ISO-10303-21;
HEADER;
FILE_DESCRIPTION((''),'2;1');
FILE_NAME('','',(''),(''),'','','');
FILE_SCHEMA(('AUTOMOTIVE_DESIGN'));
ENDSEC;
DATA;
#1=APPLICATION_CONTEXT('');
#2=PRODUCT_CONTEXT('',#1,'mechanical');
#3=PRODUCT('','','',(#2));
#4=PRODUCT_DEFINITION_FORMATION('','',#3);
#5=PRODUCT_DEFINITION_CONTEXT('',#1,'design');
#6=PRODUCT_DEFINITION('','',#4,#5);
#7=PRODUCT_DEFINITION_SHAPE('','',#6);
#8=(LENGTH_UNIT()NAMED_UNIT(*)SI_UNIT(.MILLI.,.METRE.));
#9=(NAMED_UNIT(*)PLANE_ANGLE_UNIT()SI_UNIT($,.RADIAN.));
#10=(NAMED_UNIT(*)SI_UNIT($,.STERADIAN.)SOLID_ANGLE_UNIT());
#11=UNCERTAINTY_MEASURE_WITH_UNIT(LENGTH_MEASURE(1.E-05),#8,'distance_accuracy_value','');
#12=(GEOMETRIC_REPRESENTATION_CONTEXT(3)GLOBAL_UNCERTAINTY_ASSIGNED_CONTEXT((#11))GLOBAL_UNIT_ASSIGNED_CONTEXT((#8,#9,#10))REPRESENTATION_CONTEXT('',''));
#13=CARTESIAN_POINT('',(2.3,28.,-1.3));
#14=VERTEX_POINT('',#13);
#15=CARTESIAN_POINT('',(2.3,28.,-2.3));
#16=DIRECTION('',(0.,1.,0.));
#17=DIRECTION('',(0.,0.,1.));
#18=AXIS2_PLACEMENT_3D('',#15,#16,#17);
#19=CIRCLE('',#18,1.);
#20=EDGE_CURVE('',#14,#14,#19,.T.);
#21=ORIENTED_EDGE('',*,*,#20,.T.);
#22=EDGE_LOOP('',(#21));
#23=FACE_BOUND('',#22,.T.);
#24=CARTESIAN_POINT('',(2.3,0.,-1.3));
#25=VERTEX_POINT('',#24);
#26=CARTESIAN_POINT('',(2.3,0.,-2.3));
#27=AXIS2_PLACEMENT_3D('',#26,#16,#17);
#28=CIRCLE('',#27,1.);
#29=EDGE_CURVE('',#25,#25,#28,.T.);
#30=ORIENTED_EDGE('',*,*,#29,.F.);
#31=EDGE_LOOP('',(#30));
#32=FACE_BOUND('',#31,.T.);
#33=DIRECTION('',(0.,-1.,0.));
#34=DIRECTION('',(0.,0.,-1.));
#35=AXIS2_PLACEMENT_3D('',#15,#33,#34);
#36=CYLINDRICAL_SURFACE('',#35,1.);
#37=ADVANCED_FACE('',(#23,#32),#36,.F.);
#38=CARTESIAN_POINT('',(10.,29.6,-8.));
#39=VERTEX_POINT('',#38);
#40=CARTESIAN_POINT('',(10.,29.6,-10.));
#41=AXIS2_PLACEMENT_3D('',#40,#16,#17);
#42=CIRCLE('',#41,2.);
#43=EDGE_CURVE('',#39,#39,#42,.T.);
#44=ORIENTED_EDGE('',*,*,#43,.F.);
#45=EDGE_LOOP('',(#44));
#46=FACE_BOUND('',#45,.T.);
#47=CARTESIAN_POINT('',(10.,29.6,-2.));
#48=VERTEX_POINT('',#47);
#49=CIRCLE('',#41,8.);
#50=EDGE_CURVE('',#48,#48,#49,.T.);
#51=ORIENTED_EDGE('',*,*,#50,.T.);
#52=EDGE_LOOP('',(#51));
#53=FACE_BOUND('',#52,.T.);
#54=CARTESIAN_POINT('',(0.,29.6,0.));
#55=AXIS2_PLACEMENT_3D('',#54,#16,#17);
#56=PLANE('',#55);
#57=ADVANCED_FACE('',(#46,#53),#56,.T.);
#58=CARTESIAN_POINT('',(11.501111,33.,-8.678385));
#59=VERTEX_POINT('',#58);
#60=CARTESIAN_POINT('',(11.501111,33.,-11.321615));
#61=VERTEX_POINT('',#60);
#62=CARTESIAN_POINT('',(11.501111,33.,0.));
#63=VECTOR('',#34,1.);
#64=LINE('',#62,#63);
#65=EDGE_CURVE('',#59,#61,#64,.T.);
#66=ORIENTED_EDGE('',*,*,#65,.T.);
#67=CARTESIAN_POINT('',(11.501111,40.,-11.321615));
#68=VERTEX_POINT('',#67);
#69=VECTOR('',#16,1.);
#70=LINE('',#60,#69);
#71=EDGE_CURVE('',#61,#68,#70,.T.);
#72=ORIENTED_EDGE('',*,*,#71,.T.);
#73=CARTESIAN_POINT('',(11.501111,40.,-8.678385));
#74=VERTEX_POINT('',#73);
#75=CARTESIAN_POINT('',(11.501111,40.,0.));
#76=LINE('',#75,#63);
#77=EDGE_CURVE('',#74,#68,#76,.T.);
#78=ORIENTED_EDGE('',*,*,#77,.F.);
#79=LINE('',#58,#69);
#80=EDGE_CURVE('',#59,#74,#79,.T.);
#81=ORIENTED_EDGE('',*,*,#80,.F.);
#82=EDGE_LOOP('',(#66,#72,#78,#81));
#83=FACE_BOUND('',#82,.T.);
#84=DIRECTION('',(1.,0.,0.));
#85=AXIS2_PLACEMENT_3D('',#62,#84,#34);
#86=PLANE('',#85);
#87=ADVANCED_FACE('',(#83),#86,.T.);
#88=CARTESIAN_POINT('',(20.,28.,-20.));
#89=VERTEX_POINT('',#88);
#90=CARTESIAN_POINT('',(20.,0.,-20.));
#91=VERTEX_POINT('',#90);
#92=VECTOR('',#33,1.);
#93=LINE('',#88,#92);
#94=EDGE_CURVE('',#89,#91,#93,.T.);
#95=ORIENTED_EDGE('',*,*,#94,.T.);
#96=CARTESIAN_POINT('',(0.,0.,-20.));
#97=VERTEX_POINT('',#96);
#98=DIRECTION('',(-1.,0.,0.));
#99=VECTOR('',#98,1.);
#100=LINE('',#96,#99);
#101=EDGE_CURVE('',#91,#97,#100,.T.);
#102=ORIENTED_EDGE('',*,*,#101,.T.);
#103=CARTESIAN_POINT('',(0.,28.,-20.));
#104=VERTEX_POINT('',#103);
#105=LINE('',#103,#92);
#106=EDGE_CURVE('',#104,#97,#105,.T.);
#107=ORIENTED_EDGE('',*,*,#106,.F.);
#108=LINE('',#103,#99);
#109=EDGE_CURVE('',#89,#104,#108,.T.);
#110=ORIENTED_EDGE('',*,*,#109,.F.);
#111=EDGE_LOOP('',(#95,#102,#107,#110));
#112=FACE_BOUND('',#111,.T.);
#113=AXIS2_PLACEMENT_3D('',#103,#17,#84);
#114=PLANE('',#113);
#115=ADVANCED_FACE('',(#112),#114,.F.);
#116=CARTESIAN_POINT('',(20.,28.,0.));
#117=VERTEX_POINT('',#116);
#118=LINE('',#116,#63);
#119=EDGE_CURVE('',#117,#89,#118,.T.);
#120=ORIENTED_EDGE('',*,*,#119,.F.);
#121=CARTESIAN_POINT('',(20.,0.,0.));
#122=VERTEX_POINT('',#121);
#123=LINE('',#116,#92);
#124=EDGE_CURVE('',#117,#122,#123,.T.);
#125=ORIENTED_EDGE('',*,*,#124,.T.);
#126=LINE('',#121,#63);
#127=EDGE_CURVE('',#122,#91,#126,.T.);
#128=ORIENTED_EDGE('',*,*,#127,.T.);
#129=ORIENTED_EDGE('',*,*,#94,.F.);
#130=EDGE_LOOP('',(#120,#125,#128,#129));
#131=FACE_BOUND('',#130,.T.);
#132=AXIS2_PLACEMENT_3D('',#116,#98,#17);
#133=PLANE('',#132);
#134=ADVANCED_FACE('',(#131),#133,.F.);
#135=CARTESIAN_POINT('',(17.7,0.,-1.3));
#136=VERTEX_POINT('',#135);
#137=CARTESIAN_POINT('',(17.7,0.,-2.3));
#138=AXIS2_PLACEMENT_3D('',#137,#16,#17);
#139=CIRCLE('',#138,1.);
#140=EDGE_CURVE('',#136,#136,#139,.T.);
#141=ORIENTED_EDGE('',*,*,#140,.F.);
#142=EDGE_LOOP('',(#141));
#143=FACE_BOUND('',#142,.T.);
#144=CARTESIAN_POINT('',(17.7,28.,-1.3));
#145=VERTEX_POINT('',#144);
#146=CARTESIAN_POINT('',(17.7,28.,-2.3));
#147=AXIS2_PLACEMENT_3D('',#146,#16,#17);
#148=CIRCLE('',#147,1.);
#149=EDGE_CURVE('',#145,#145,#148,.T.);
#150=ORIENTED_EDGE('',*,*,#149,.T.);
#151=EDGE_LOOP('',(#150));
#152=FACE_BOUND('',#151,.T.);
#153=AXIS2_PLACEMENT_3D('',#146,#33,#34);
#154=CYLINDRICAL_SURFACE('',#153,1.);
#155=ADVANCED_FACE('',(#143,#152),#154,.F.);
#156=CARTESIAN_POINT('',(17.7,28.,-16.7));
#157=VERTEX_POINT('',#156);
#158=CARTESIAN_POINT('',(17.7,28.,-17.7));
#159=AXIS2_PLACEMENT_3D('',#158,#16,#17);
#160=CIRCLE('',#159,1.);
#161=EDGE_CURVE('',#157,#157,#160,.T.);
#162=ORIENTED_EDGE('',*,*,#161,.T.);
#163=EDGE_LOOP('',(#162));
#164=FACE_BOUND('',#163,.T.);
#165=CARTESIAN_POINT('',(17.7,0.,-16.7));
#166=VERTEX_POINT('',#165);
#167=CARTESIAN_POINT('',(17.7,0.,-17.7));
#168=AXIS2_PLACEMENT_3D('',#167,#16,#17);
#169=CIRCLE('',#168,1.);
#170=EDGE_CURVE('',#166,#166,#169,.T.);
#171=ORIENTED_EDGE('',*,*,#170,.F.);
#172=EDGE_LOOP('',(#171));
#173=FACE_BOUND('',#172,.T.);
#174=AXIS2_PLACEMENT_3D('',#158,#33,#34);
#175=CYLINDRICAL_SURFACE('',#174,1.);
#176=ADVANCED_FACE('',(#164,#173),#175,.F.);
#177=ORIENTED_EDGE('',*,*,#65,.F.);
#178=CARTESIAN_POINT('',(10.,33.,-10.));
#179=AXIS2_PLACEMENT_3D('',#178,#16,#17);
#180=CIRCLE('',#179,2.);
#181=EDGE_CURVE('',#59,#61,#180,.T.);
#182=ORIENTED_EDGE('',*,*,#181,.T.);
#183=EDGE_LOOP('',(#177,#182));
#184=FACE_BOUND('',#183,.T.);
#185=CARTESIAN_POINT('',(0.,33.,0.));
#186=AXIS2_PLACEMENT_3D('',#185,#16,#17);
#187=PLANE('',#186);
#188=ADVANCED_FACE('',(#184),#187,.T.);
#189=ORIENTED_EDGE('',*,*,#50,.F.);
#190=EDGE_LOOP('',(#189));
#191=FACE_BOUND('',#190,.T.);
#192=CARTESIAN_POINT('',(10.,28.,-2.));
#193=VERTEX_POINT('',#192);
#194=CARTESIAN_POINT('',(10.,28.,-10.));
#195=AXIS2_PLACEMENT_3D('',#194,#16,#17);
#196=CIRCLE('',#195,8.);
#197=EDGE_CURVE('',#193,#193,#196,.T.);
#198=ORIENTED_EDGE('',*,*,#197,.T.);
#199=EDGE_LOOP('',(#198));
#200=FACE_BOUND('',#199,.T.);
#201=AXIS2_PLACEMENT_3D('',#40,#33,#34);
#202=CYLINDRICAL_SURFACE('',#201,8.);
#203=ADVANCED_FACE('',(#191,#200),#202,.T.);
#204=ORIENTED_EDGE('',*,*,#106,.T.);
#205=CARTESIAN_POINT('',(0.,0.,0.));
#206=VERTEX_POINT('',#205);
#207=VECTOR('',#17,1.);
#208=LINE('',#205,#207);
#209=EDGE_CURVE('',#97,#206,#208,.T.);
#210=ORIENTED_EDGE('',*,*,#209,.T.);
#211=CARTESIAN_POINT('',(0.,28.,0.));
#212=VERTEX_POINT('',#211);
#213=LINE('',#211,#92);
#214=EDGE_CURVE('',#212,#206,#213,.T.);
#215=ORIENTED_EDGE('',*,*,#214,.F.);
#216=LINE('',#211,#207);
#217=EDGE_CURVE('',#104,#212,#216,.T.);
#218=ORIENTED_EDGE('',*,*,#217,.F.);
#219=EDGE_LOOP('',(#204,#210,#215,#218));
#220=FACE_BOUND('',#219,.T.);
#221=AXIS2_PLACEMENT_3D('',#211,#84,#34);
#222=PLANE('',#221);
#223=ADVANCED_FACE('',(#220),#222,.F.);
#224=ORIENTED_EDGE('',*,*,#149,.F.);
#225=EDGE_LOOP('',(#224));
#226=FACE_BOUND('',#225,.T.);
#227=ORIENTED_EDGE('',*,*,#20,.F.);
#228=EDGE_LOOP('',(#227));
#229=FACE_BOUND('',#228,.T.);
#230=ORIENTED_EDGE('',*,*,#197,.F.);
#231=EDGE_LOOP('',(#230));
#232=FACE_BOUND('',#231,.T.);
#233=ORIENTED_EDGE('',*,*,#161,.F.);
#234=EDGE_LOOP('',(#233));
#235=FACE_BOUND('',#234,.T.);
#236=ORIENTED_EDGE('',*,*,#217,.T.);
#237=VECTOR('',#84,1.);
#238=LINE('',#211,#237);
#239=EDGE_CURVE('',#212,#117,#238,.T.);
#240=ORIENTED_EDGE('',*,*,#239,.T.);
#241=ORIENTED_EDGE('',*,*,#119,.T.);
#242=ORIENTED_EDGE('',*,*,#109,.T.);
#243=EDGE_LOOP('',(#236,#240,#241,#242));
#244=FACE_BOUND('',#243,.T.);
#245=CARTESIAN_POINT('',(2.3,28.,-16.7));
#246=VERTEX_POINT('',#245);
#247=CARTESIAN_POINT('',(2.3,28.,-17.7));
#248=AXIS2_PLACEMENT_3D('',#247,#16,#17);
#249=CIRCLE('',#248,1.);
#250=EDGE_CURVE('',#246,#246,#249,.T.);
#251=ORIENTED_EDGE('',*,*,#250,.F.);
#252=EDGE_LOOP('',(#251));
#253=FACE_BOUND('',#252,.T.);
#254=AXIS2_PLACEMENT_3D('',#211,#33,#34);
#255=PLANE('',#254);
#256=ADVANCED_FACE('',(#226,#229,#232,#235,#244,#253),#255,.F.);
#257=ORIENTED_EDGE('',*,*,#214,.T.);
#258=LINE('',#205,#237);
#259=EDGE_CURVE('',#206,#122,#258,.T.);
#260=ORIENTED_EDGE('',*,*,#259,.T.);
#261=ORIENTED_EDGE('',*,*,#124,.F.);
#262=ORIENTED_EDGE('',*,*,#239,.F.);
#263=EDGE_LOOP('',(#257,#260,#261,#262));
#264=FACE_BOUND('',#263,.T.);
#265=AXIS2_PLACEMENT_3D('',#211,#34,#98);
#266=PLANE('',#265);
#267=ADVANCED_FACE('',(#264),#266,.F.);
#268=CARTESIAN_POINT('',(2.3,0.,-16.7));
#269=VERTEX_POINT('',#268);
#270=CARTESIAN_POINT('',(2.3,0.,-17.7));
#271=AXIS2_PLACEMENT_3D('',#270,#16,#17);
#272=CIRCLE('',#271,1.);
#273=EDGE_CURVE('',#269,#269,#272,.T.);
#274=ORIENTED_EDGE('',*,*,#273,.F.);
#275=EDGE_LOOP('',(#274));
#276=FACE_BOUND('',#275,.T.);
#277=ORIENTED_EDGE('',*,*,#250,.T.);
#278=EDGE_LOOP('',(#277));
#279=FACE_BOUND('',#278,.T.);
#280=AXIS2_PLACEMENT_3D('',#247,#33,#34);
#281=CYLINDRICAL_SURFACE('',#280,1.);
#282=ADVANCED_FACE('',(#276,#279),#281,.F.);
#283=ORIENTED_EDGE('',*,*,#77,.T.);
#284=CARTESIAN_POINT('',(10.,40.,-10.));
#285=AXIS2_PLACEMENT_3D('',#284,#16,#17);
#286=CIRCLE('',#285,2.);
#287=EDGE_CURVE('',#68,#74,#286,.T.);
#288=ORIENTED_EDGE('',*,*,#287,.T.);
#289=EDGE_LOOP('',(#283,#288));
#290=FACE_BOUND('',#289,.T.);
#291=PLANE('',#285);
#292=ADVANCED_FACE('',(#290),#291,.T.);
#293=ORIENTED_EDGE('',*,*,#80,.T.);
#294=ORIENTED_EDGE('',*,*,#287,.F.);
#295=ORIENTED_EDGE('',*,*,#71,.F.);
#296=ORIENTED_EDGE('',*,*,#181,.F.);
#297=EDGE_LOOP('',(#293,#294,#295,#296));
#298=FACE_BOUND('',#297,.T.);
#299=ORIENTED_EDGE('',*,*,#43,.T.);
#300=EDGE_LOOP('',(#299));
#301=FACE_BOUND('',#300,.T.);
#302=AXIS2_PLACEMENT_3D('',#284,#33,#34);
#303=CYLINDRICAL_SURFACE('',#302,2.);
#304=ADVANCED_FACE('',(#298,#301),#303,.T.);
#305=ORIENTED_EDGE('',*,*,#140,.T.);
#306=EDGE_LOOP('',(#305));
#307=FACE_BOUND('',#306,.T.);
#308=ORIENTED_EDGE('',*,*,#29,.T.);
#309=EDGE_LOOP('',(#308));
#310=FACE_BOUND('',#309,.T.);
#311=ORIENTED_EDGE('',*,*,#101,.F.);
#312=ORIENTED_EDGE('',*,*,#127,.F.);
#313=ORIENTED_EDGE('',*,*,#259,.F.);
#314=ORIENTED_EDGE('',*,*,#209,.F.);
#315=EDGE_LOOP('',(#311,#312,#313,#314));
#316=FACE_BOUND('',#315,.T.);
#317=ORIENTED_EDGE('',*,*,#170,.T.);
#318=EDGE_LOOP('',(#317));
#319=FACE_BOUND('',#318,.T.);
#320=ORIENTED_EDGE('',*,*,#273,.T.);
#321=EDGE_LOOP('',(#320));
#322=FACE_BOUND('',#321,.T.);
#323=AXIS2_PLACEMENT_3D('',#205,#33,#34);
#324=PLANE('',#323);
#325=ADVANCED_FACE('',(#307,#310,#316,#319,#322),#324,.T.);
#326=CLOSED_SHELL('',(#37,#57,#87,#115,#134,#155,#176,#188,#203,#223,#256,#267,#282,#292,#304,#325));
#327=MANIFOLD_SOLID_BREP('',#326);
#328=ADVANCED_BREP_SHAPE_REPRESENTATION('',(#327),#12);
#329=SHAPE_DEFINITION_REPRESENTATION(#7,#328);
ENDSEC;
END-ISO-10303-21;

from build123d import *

# Parameters (mm, degrees)
SKETCH_1_W          = 20
SKETCH_1_H          = 20
SKETCH_1_R          = 1
EXTRUDE_1_DEPTH     = 28
EXTRUDE_2_DEPTH     = 1.6
SKETCH_3_R          = 2
EXTRUDE_3_DEPTH     = 10.4
CUT_EXTRUDE_START   = -7
CUT_EXTRUDE_4_DEPTH = 7


with BuildPart() as part:
    # 草图1 → 凸台-拉伸1 (new body)
    with BuildSketch(Plane(origin=(0, 0, 0), x_dir=(1, 0, 0), z_dir=(0, 1, 0))):
        with Locations((10, 10)):
            Rectangle(SKETCH_1_W, SKETCH_1_H)
        with Locations(Location((17.7, 2.3, 0), (0, 0, 270))):
            Circle(SKETCH_1_R, mode=Mode.SUBTRACT)
        with Locations(Location((17.7, 17.7, 0), (0, 0, 270))):
            Circle(SKETCH_1_R, mode=Mode.SUBTRACT)
        with Locations(Location((2.3, 17.7, 0), (0, 0, 270))):
            Circle(SKETCH_1_R, mode=Mode.SUBTRACT)
        with Locations(Location((2.3, 2.3, 0), (0, 0, 270))):
            Circle(SKETCH_1_R, mode=Mode.SUBTRACT)
    extrude(amount=EXTRUDE_1_DEPTH)

    # 草图2 → 凸台-拉伸2 (add)
    with BuildSketch(Plane(origin=(0, 28, 0), x_dir=(1, 0, 0), z_dir=(0, 1, 0))):
        with BuildLine():
            ThreePointArc((2, 10), (10, 2), (18, 10))
            Line((18, 10), (2, 10))
        make_face()
        with BuildLine():
            Line((2, 10), (18, 10))
            ThreePointArc((18, 10), (10, 18), (2, 10))
        make_face()
    extrude(amount=EXTRUDE_2_DEPTH)

    # 草图3 → 凸台-拉伸3 (add)
    with BuildSketch(Plane(origin=(0, 29.6, 0), x_dir=(1, 0, 0), z_dir=(0, 1, 0))):
        with Locations(Location((10, 10, 0), (0, 0, 270))):
            Circle(SKETCH_3_R)
    extrude(amount=EXTRUDE_3_DEPTH)

    # 草图4 → 切除-拉伸4 (cut)
    with BuildSketch(Plane(origin=(0, 40, 0), x_dir=(1, 0, 0), z_dir=(0, 1, 0)).offset(CUT_EXTRUDE_START)):
        with BuildLine():
            Line((11.501110762, 11.321615103), (11.501110762, 10))
            Line((11.501110762, 10), (11.501110762, 8.678384897))
            ThreePointArc((11.501110762, 8.678384897), (11.871125533, 9.293679083), (12, 10))
            ThreePointArc((12, 10), (11.871125533, 10.706320917), (11.501110762, 11.321615103))
        make_face()
    extrude(amount=CUT_EXTRUDE_4_DEPTH, mode=Mode.SUBTRACT)


solid = part.part
